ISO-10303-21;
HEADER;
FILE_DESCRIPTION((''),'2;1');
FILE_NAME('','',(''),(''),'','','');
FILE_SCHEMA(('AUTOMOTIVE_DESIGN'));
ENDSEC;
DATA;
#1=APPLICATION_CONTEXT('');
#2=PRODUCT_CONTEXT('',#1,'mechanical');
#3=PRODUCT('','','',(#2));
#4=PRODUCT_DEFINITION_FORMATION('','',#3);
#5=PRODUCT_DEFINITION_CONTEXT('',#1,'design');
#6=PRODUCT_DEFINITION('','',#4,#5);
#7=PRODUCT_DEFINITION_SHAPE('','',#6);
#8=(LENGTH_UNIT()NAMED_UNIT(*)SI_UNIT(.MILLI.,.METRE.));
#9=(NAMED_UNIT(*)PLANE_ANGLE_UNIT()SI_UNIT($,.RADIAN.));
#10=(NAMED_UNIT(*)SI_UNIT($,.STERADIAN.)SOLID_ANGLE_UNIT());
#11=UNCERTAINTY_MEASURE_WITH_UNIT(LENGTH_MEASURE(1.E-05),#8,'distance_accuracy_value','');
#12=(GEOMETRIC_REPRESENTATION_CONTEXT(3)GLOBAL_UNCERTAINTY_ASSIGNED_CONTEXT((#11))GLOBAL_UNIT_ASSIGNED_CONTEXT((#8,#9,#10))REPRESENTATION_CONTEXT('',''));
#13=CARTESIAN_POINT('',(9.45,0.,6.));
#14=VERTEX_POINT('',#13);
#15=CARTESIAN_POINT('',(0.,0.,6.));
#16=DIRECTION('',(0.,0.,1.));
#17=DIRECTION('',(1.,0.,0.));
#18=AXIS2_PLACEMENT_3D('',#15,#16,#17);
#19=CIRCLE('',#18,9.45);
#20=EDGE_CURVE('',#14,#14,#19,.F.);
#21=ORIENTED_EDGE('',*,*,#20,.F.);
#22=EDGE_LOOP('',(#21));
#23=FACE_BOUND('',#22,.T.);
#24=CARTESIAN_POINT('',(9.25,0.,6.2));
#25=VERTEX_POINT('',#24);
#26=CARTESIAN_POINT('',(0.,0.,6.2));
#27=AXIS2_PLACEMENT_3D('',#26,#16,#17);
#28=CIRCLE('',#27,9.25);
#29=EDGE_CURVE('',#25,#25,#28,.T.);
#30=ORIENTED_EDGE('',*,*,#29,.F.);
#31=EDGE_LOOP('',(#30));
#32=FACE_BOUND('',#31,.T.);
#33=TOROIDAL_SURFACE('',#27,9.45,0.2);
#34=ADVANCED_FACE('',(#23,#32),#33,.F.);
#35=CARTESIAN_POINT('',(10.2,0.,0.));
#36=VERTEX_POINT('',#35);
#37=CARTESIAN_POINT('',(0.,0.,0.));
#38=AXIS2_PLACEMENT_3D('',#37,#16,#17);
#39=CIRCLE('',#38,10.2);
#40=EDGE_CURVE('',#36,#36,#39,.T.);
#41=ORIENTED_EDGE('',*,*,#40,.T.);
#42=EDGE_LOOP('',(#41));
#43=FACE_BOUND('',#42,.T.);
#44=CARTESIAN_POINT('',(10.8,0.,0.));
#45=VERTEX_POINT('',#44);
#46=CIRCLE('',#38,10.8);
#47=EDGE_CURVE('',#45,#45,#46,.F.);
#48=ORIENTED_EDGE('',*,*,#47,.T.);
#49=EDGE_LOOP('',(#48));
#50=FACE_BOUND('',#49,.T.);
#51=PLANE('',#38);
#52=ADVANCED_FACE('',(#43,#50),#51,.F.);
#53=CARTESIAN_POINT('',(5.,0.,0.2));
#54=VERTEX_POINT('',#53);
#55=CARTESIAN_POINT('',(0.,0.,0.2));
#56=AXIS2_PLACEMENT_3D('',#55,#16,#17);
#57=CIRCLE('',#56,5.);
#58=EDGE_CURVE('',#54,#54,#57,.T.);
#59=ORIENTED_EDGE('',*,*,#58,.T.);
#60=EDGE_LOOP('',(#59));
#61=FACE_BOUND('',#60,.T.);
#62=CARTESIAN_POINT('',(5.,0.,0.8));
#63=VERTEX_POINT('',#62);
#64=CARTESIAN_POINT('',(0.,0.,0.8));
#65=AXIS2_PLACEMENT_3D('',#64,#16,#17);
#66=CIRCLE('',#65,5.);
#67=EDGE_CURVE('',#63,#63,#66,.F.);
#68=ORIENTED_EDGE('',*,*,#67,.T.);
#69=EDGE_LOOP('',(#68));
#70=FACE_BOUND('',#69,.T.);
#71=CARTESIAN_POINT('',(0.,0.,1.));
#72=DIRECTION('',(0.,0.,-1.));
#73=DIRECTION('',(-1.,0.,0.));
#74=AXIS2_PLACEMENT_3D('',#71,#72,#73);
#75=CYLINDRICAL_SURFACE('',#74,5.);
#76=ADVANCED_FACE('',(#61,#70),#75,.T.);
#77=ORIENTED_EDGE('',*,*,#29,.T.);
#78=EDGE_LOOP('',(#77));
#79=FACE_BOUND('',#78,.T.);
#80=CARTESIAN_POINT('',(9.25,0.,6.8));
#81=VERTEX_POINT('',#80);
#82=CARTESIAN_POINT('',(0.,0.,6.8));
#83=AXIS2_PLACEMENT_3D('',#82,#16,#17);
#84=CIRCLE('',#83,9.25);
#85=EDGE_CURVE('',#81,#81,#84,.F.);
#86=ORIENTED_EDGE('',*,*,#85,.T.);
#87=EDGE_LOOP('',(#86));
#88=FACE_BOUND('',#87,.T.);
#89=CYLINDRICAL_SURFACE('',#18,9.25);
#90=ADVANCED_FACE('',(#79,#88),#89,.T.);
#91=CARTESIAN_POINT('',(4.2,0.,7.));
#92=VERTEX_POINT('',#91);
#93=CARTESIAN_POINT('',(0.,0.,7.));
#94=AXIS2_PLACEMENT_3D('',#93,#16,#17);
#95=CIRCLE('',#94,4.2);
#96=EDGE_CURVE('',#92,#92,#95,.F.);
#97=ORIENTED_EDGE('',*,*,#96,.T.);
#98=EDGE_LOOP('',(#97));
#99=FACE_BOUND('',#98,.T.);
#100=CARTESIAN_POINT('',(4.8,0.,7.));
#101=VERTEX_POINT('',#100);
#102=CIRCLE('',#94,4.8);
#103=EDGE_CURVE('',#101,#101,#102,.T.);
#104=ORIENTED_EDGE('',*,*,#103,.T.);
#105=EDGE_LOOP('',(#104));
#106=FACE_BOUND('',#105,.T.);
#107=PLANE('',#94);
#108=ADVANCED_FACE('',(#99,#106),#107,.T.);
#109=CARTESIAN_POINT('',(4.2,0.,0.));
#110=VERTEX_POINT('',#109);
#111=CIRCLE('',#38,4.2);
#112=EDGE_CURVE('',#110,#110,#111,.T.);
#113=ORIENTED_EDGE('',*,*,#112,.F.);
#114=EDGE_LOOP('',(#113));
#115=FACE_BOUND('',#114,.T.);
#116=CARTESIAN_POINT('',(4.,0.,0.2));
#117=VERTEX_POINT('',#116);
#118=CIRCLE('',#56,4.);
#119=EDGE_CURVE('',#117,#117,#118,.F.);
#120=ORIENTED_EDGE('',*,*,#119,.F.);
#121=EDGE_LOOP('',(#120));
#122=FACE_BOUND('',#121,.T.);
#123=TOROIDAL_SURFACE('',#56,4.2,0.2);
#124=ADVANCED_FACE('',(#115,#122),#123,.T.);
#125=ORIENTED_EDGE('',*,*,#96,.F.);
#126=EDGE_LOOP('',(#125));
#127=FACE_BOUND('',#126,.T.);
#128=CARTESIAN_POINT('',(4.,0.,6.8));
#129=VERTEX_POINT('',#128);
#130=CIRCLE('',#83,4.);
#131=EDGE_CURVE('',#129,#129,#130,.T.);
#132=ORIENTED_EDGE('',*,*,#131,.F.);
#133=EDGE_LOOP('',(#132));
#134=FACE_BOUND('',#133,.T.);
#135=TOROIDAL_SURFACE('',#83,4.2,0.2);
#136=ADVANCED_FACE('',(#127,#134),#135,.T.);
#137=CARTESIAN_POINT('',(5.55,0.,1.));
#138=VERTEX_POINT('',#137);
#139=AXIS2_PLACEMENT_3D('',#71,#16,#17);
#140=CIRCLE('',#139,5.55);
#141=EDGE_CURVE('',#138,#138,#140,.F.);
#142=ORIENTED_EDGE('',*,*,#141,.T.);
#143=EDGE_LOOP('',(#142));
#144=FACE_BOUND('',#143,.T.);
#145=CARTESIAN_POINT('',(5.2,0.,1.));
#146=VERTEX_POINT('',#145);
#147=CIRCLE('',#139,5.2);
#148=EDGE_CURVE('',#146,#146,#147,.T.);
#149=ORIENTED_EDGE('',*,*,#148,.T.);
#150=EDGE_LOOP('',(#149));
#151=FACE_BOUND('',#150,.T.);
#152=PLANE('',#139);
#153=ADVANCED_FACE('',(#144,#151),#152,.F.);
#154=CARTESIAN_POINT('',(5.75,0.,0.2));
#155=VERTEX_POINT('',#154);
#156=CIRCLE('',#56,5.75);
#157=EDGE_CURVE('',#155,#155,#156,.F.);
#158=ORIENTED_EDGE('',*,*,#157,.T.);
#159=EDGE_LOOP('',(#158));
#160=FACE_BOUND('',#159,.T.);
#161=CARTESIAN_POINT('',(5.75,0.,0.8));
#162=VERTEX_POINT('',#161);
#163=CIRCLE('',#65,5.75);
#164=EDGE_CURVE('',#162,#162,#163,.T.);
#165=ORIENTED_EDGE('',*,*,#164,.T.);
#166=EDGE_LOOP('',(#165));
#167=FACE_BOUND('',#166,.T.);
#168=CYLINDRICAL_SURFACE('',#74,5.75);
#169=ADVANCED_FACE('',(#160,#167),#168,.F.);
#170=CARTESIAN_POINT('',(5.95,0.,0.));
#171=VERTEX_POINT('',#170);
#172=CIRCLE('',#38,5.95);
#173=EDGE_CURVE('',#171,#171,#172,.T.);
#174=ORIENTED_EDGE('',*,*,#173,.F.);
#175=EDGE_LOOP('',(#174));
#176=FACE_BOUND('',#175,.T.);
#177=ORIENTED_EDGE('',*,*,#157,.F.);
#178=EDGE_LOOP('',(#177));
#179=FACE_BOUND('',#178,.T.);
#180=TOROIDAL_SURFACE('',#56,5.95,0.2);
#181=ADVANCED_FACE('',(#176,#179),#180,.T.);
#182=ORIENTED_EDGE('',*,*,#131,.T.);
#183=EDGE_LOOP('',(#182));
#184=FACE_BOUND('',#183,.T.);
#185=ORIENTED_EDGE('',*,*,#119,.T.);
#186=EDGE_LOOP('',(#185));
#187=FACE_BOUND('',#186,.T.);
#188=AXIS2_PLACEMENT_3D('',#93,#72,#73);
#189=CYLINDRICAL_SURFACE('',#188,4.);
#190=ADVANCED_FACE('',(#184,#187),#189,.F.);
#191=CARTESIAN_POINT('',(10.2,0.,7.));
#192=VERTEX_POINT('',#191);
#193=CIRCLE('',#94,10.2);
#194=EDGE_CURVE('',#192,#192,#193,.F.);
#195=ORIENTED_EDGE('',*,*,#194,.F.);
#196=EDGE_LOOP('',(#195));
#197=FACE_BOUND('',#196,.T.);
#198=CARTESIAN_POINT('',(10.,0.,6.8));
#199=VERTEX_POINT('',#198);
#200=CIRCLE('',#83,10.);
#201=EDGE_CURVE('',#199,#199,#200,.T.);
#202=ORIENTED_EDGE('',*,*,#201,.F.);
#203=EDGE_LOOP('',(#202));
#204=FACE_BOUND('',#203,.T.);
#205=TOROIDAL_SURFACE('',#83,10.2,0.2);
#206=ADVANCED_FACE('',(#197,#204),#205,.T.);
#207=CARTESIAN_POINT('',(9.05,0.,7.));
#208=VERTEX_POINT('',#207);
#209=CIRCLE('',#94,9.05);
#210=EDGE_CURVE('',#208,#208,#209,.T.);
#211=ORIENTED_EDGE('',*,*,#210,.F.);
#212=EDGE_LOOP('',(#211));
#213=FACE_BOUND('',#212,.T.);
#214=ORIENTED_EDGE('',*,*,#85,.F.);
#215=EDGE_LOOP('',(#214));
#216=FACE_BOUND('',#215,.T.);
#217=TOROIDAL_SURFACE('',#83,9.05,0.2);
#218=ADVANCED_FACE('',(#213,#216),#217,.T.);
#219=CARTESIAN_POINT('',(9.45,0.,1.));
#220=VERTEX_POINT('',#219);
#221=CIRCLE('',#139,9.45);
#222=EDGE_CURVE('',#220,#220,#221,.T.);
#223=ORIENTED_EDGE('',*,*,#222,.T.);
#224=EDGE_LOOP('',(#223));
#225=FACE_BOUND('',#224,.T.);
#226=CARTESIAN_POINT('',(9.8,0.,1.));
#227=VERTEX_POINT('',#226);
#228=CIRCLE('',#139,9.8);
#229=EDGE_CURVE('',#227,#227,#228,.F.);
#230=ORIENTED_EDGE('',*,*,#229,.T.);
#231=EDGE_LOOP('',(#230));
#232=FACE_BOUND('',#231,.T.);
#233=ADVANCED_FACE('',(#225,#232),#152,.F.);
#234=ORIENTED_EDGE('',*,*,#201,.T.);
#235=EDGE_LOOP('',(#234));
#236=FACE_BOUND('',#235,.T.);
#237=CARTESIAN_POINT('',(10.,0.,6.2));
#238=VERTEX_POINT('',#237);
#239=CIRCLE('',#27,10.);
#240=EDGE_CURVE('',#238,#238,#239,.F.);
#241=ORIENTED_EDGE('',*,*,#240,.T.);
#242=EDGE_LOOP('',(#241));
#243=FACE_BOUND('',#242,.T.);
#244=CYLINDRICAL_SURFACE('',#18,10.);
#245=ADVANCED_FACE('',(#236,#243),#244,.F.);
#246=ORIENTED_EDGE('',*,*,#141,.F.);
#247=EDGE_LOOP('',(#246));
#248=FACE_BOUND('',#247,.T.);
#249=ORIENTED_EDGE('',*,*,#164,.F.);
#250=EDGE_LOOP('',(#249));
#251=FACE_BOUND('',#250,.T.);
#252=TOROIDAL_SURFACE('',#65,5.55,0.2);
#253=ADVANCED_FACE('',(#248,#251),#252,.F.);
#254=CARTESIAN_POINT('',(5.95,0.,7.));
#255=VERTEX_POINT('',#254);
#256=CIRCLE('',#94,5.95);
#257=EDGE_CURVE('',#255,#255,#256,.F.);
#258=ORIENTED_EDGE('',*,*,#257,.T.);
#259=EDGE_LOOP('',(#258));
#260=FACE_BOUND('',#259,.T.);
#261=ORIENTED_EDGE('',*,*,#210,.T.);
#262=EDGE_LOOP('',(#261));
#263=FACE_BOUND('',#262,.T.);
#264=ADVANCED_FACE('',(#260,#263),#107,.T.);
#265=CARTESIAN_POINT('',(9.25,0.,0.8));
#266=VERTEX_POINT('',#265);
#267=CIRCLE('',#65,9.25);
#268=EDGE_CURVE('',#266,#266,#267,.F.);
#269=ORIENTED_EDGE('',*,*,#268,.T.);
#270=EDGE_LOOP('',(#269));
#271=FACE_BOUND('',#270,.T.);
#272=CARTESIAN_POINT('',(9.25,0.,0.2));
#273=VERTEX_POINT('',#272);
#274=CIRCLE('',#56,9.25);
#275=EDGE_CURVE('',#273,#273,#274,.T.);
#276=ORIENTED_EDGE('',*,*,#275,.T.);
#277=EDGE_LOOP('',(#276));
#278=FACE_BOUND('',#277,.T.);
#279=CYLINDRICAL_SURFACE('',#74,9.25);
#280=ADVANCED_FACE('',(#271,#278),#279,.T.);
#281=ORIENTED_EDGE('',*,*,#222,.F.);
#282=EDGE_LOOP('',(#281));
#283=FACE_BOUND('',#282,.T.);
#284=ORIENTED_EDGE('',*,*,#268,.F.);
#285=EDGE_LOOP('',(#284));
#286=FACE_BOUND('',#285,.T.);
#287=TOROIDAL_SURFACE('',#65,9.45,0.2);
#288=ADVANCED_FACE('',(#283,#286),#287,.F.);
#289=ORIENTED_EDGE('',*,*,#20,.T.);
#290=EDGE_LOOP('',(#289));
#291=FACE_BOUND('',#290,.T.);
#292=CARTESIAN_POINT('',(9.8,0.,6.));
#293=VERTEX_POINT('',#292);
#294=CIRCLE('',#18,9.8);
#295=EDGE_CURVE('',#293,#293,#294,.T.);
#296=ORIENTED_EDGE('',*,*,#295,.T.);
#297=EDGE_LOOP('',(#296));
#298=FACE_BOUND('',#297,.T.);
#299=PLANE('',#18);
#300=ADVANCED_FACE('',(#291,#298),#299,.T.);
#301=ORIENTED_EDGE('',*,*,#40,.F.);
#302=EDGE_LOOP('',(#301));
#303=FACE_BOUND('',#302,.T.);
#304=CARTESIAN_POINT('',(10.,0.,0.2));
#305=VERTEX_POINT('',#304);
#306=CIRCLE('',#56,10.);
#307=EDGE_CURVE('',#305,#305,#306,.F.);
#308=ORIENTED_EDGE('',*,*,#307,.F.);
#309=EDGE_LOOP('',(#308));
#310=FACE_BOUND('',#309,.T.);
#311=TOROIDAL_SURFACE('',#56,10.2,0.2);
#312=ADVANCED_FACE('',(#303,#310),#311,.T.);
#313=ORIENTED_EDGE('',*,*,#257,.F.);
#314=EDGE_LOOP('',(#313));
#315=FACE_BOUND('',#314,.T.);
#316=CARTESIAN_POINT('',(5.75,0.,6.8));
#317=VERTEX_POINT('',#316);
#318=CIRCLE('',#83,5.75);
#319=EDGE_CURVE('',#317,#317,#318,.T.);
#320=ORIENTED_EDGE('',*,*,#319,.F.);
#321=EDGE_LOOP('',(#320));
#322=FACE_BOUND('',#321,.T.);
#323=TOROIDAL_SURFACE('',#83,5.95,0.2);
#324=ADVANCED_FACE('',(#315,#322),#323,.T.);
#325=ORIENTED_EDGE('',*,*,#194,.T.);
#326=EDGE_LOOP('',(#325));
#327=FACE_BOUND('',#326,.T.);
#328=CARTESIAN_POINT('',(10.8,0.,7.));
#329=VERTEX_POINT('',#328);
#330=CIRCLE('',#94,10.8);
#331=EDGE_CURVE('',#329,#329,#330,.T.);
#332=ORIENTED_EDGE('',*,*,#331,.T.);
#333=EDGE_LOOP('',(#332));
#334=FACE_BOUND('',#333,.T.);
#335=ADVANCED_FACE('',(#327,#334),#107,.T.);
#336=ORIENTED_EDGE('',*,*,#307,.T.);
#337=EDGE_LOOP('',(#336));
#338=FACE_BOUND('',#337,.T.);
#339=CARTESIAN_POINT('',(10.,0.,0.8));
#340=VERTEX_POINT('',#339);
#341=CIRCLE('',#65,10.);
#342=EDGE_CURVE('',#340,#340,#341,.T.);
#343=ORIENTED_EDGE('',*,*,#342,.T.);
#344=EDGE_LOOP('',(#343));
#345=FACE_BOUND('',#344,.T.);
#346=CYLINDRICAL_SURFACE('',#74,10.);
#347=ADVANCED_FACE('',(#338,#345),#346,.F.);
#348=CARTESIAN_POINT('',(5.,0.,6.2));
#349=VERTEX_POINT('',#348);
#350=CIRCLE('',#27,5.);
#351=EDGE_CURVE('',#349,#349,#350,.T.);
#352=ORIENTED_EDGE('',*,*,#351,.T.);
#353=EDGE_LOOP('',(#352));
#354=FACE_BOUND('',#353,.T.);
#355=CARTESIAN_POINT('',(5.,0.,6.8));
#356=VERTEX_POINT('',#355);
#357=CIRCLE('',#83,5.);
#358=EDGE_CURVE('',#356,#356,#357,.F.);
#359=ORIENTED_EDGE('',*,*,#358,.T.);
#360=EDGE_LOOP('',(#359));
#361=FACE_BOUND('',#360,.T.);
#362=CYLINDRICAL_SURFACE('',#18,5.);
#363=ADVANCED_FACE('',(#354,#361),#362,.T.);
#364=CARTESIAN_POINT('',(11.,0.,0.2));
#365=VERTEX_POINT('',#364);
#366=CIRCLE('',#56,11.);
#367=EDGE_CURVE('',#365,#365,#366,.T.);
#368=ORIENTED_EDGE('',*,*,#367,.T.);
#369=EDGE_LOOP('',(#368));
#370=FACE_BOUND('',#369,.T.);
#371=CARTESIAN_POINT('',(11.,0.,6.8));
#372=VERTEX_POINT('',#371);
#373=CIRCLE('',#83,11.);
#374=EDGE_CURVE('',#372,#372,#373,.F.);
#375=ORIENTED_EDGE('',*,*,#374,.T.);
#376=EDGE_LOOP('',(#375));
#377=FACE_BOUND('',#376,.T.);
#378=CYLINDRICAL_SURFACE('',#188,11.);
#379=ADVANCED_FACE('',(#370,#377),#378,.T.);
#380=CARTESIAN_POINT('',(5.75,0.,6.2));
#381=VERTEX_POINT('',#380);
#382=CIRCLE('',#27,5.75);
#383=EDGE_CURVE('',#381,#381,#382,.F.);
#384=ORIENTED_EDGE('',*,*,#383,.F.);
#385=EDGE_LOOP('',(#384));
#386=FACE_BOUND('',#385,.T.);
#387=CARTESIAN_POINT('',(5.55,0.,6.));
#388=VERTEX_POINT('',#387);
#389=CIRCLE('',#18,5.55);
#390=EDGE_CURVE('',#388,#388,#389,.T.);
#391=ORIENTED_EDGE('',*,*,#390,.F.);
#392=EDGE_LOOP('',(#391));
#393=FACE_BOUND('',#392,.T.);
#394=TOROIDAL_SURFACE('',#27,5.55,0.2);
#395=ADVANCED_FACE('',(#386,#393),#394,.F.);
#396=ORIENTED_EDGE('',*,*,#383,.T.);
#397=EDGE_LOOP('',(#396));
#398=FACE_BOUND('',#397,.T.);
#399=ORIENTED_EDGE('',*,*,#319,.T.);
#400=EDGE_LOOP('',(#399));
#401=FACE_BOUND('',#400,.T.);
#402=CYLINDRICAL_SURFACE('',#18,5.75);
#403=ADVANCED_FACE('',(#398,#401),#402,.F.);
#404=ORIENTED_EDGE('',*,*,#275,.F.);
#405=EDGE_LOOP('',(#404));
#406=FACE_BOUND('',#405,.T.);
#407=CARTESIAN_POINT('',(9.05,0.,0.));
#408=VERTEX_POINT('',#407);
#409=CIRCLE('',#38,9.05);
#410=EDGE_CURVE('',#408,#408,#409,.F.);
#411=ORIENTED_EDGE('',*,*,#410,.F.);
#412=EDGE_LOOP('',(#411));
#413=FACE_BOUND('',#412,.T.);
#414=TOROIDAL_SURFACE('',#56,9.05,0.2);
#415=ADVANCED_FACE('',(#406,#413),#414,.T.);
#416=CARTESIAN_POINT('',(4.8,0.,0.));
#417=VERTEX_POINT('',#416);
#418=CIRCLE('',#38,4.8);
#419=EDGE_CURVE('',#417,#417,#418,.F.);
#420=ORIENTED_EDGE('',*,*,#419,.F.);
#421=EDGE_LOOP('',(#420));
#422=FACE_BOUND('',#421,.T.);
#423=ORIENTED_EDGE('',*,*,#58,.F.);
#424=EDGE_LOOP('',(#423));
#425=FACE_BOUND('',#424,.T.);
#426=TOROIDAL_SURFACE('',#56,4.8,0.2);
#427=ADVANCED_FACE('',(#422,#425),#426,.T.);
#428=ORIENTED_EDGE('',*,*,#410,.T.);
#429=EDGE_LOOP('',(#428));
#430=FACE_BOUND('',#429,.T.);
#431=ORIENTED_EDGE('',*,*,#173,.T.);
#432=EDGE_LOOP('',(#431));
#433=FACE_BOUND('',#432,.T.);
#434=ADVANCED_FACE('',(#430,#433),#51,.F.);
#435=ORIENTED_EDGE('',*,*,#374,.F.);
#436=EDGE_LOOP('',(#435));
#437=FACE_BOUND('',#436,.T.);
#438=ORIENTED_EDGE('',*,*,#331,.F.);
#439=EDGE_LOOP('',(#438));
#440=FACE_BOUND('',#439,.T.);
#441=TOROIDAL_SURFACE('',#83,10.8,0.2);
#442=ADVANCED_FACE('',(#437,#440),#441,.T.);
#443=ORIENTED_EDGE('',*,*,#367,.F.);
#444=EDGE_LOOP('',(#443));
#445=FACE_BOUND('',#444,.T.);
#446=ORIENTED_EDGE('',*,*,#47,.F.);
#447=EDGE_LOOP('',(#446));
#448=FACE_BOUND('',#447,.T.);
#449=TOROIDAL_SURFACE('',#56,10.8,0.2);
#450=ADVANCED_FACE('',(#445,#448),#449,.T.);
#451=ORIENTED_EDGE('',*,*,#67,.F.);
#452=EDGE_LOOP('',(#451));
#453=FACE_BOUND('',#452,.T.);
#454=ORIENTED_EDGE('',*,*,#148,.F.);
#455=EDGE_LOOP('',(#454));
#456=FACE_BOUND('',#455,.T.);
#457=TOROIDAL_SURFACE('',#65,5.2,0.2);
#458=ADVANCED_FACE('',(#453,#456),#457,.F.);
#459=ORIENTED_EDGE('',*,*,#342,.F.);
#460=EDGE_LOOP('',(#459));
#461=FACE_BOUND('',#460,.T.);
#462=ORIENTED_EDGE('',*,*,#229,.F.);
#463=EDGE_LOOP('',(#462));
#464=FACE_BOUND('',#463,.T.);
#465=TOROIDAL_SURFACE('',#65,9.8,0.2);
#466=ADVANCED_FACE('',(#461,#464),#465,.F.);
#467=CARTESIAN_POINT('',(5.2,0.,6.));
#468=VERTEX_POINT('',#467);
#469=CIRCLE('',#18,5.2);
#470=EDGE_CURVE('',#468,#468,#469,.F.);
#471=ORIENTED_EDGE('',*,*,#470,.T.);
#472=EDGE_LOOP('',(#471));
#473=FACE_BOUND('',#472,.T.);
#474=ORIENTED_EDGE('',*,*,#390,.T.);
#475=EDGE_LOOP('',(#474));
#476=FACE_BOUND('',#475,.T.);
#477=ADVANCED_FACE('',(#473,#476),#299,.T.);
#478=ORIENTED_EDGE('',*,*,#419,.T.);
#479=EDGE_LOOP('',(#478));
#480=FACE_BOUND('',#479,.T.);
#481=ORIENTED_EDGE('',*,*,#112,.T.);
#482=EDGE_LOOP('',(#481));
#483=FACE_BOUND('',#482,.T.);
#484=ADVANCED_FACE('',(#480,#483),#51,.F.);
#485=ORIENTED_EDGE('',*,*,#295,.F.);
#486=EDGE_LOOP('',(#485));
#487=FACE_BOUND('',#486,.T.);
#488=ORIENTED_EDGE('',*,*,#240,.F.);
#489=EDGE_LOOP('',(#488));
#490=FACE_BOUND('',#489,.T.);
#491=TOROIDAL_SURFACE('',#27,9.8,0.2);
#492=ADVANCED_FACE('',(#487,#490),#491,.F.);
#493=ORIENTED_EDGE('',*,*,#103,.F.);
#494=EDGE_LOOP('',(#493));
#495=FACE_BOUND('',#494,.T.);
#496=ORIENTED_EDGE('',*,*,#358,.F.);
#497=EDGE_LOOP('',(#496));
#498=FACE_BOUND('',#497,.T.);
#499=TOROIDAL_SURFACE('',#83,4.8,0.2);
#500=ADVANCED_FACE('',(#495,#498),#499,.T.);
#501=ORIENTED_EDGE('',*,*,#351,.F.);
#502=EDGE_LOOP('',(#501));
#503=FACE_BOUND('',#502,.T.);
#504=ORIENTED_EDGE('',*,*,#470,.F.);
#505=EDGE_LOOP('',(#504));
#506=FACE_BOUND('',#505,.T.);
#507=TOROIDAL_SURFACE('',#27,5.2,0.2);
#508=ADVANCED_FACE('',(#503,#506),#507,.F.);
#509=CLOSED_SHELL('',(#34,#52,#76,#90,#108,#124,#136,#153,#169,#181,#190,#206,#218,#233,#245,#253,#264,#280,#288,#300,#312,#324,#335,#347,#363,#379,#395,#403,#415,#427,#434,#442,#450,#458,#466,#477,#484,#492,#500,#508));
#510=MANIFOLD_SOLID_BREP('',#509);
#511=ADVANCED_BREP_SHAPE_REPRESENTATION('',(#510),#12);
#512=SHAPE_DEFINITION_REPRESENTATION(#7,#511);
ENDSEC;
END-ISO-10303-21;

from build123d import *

# Parameters (mm, degrees)
SKETCH1_R           = 11
BOSS_EXTRUDE1_DEPTH = 7
SKETCH2_R           = 4
CUT_EXTRUDE1_DEPTH  = 7
SKETCH3_R           = 10
SKETCH3_R_2         = 9.25
SKETCH3_R_3         = 5.75
SKETCH3_R_4         = 5
CUT_EXTRUDE2_DEPTH  = 1
CUT_EXTRUDE3_START  = 6
SKETCH4_R           = 10
SKETCH4_R_2         = 9.25
SKETCH4_R_3         = 5.75
SKETCH4_R_4         = 5
CUT_EXTRUDE3_DEPTH  = 1
FILLET1_R           = 0.2


with BuildPart() as part:
    # Sketch1 → Boss-Extrude1 (new body)
    with BuildSketch(Plane.XY):
        Circle(SKETCH1_R)
    extrude(amount=BOSS_EXTRUDE1_DEPTH)

    # Sketch2 → Cut-Extrude1 (cut)
    with BuildSketch(Plane.XY):
        Circle(SKETCH2_R)
    extrude(amount=CUT_EXTRUDE1_DEPTH, mode=Mode.SUBTRACT)

    # Sketch3 → Cut-Extrude2 (cut)
    # profile 1 of 2: a face of its own
    with BuildSketch(Plane.XY):
        Circle(SKETCH3_R)
        Circle(SKETCH3_R_2, mode=Mode.SUBTRACT)
    # profile 2 of 2: a face of its own
    with BuildSketch(Plane.XY):
        Circle(SKETCH3_R_3)
        Circle(SKETCH3_R_4, mode=Mode.SUBTRACT)
    extrude(amount=CUT_EXTRUDE2_DEPTH, mode=Mode.SUBTRACT)

    # Sketch4 → Cut-Extrude3 (cut)
    # profile 1 of 2: a face of its own
    with BuildSketch(Plane.XY.offset(CUT_EXTRUDE3_START)):
        Circle(SKETCH4_R)
        Circle(SKETCH4_R_2, mode=Mode.SUBTRACT)
    # profile 2 of 2: a face of its own
    with BuildSketch(Plane.XY.offset(CUT_EXTRUDE3_START)):
        Circle(SKETCH4_R_3)
        Circle(SKETCH4_R_4, mode=Mode.SUBTRACT)
    extrude(amount=CUT_EXTRUDE3_DEPTH, mode=Mode.SUBTRACT)

    # Fillet1
    fillet1_edges = [part.edges().sort_by_distance(p)[0] for p in [
        (-9.25, 0, 1),
        (-10, 0, 0),
        (-10, 0, 1),
        (-9.25, 0, 0),
        (-11, 0, 0),
        (-5, 0, 1),
        (-5.75, 0, 0),
        (-5.75, 0, 1),
        (-5, 0, 0),
        (-5.75, 0, 6),
        (-5, 0, 6),
        (-5.75, 0, 7),
        (-5, 0, 7),
        (-10, 0, 6),
        (-9.25, 0, 6),
        (-10, 0, 7),
        (-9.25, 0, 7),
        (-11, 0, 7),
        (-4, 0, 0),
        (-4, 0, 7),
    ]]
    fillet(fillet1_edges, radius=FILLET1_R)


solid = part.part
